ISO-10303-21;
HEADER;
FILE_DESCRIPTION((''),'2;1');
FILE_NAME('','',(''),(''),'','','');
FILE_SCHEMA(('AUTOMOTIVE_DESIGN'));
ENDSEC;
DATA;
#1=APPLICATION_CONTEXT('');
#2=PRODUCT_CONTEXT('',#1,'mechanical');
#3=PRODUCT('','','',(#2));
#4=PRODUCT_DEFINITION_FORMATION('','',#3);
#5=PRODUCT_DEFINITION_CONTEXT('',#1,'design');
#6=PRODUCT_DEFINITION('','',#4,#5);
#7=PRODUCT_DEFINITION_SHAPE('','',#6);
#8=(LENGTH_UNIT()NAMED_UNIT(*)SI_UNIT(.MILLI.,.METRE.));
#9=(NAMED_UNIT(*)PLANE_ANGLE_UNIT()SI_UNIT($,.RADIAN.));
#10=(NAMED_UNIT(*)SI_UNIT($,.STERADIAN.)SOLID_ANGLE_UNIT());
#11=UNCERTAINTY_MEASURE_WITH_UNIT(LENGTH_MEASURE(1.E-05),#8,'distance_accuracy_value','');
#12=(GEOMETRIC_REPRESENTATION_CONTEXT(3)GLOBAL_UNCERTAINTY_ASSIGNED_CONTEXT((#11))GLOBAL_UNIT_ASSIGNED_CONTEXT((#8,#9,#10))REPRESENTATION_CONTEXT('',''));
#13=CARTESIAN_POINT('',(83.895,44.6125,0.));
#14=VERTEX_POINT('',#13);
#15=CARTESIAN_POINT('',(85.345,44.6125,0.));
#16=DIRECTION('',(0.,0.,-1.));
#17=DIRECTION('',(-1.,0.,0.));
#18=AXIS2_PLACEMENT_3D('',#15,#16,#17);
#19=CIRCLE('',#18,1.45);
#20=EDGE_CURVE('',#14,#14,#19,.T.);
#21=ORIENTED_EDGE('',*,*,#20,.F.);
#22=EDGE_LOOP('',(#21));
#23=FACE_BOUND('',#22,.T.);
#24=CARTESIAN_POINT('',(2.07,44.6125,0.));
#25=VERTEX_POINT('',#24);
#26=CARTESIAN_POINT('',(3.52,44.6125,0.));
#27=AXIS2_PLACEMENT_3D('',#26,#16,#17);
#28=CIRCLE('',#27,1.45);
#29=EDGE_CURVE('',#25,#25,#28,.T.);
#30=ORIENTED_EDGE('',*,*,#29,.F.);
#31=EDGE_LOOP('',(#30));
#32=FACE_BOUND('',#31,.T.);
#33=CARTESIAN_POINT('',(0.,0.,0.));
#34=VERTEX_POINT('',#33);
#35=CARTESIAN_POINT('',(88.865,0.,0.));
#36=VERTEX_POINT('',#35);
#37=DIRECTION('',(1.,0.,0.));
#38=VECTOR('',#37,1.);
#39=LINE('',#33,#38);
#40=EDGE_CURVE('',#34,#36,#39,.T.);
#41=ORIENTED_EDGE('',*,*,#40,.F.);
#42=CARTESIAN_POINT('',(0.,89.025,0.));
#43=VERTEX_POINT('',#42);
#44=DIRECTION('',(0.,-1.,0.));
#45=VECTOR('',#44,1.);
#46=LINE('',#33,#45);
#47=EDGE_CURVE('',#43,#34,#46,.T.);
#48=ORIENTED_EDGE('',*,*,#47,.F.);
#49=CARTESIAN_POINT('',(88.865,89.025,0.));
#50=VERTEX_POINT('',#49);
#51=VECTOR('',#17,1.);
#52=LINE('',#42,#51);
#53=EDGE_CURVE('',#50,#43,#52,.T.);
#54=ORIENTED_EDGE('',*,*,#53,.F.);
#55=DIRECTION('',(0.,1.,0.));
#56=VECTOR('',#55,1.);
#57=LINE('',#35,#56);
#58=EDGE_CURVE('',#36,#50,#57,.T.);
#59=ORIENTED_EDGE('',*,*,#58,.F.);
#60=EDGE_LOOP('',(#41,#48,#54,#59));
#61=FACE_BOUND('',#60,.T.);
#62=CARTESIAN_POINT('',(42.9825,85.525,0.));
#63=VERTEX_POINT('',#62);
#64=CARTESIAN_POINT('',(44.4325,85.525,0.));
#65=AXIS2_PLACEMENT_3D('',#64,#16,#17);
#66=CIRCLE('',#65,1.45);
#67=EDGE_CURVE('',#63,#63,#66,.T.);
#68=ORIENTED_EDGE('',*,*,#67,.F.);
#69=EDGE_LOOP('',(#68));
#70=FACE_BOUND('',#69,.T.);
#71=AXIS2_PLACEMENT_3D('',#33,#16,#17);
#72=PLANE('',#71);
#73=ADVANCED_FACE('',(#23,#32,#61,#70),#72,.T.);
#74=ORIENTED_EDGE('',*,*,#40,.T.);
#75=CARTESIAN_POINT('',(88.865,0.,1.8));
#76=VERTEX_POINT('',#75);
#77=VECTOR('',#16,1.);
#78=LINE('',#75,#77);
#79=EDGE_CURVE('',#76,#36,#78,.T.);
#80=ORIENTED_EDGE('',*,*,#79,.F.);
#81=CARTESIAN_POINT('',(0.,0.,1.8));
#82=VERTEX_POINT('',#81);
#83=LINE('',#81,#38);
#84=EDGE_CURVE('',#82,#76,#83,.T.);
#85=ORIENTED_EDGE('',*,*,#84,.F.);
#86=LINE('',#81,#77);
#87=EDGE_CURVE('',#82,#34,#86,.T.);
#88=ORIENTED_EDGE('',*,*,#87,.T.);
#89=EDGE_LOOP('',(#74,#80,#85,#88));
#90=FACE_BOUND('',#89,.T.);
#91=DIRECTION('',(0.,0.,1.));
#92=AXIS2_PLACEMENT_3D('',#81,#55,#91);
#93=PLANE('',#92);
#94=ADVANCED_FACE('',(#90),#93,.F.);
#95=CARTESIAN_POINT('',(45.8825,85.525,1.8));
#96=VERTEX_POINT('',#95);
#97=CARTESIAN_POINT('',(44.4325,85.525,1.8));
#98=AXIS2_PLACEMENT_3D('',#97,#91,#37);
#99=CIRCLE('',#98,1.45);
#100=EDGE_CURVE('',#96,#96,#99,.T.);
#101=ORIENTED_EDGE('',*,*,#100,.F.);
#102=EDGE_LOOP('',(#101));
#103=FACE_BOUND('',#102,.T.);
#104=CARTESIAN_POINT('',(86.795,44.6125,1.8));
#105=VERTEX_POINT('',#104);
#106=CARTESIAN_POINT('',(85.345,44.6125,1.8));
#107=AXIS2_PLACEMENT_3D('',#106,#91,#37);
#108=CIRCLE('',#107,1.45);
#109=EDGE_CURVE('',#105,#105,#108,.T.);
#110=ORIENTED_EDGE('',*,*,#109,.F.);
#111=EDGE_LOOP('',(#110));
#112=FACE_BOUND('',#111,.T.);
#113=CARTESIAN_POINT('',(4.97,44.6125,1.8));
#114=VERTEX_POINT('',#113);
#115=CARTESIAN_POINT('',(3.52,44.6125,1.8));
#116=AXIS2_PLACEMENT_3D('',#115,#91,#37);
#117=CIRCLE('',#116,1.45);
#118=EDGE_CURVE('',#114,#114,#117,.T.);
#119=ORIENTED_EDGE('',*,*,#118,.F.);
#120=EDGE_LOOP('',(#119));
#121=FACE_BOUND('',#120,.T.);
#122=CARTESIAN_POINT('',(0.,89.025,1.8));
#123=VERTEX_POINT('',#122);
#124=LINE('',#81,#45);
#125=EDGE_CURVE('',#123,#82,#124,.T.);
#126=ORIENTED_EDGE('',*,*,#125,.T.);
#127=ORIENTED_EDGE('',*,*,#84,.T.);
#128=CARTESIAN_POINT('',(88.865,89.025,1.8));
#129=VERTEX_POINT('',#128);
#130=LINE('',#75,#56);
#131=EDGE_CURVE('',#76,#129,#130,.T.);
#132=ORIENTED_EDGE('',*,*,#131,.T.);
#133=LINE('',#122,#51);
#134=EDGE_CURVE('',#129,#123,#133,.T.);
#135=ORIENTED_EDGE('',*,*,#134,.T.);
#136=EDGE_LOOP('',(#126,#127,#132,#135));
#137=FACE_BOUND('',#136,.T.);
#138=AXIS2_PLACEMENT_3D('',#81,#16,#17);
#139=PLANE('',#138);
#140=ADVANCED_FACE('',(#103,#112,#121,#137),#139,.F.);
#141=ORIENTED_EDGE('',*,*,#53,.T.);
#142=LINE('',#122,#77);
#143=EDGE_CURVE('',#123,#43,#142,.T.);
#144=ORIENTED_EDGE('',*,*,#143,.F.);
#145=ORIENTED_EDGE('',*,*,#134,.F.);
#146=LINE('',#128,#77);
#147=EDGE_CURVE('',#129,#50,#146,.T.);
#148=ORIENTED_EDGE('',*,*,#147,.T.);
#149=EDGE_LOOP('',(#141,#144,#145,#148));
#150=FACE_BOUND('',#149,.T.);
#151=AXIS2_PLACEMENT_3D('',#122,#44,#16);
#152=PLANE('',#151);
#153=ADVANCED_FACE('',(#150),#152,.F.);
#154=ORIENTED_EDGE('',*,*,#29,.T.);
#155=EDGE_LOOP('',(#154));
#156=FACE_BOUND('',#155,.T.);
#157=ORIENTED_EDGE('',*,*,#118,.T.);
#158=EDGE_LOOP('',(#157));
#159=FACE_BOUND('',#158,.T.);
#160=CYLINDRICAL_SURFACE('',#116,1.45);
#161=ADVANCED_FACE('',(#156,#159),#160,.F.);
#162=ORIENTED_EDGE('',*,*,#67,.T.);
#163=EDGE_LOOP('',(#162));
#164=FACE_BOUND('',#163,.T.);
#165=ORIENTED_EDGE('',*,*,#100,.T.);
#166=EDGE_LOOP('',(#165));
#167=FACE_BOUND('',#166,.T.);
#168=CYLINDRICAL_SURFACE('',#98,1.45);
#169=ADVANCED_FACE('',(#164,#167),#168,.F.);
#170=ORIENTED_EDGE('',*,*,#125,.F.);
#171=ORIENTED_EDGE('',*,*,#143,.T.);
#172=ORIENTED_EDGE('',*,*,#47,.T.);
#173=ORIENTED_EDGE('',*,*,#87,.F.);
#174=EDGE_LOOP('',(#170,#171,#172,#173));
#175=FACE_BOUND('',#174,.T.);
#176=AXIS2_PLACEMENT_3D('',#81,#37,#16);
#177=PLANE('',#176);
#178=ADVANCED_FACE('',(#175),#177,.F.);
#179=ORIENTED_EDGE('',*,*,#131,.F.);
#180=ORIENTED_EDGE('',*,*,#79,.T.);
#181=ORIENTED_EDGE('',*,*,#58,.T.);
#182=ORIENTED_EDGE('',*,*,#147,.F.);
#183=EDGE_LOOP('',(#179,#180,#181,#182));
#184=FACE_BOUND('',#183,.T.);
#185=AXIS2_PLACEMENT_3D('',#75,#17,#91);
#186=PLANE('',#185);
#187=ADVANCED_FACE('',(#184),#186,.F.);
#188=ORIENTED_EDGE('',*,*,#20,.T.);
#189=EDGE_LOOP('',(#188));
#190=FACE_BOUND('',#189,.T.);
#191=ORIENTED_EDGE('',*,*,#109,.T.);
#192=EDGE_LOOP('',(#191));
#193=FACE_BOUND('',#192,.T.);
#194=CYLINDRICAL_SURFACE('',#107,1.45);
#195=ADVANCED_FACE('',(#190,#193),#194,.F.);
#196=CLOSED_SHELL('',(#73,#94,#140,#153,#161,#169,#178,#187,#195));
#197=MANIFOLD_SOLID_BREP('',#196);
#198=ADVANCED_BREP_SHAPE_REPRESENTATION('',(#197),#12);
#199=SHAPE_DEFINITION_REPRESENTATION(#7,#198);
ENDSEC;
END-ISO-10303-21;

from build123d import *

# Parameters (mm, degrees)
SKETCH1_W                  = 88.865
SKETCH1_H                  = 89.025
BOSS_EXTRUDE1_DEPTH        = 1.8
M2_5_CLEARANCE_HOLE1_D     = 2.9
M2_5_CLEARANCE_HOLE1_DEPTH = 4
M2_5_CLEARANCE_HOLE1_TIP   = 0.871247898


with BuildPart() as part:
    # Sketch1 → Boss-Extrude1 (new body)
    with BuildSketch(Plane.XY):
        with Locations((44.4325, 44.5125)):
            Rectangle(SKETCH1_W, SKETCH1_H)
    extrude(amount=BOSS_EXTRUDE1_DEPTH)

    # M2.5 Clearance Hole1
    with Locations(Plane.XY.offset(1.8)):
        with Locations((44.4325, 85.525), (3.52, 44.6125), (85.345, 44.6125)):
            Hole(M2_5_CLEARANCE_HOLE1_D / 2, depth=M2_5_CLEARANCE_HOLE1_DEPTH)
            with Locations((0, 0, -(M2_5_CLEARANCE_HOLE1_DEPTH + M2_5_CLEARANCE_HOLE1_TIP / 2))):  # 118° drill point
                Cone(0, M2_5_CLEARANCE_HOLE1_D / 2, M2_5_CLEARANCE_HOLE1_TIP, mode=Mode.SUBTRACT)


solid = part.part
